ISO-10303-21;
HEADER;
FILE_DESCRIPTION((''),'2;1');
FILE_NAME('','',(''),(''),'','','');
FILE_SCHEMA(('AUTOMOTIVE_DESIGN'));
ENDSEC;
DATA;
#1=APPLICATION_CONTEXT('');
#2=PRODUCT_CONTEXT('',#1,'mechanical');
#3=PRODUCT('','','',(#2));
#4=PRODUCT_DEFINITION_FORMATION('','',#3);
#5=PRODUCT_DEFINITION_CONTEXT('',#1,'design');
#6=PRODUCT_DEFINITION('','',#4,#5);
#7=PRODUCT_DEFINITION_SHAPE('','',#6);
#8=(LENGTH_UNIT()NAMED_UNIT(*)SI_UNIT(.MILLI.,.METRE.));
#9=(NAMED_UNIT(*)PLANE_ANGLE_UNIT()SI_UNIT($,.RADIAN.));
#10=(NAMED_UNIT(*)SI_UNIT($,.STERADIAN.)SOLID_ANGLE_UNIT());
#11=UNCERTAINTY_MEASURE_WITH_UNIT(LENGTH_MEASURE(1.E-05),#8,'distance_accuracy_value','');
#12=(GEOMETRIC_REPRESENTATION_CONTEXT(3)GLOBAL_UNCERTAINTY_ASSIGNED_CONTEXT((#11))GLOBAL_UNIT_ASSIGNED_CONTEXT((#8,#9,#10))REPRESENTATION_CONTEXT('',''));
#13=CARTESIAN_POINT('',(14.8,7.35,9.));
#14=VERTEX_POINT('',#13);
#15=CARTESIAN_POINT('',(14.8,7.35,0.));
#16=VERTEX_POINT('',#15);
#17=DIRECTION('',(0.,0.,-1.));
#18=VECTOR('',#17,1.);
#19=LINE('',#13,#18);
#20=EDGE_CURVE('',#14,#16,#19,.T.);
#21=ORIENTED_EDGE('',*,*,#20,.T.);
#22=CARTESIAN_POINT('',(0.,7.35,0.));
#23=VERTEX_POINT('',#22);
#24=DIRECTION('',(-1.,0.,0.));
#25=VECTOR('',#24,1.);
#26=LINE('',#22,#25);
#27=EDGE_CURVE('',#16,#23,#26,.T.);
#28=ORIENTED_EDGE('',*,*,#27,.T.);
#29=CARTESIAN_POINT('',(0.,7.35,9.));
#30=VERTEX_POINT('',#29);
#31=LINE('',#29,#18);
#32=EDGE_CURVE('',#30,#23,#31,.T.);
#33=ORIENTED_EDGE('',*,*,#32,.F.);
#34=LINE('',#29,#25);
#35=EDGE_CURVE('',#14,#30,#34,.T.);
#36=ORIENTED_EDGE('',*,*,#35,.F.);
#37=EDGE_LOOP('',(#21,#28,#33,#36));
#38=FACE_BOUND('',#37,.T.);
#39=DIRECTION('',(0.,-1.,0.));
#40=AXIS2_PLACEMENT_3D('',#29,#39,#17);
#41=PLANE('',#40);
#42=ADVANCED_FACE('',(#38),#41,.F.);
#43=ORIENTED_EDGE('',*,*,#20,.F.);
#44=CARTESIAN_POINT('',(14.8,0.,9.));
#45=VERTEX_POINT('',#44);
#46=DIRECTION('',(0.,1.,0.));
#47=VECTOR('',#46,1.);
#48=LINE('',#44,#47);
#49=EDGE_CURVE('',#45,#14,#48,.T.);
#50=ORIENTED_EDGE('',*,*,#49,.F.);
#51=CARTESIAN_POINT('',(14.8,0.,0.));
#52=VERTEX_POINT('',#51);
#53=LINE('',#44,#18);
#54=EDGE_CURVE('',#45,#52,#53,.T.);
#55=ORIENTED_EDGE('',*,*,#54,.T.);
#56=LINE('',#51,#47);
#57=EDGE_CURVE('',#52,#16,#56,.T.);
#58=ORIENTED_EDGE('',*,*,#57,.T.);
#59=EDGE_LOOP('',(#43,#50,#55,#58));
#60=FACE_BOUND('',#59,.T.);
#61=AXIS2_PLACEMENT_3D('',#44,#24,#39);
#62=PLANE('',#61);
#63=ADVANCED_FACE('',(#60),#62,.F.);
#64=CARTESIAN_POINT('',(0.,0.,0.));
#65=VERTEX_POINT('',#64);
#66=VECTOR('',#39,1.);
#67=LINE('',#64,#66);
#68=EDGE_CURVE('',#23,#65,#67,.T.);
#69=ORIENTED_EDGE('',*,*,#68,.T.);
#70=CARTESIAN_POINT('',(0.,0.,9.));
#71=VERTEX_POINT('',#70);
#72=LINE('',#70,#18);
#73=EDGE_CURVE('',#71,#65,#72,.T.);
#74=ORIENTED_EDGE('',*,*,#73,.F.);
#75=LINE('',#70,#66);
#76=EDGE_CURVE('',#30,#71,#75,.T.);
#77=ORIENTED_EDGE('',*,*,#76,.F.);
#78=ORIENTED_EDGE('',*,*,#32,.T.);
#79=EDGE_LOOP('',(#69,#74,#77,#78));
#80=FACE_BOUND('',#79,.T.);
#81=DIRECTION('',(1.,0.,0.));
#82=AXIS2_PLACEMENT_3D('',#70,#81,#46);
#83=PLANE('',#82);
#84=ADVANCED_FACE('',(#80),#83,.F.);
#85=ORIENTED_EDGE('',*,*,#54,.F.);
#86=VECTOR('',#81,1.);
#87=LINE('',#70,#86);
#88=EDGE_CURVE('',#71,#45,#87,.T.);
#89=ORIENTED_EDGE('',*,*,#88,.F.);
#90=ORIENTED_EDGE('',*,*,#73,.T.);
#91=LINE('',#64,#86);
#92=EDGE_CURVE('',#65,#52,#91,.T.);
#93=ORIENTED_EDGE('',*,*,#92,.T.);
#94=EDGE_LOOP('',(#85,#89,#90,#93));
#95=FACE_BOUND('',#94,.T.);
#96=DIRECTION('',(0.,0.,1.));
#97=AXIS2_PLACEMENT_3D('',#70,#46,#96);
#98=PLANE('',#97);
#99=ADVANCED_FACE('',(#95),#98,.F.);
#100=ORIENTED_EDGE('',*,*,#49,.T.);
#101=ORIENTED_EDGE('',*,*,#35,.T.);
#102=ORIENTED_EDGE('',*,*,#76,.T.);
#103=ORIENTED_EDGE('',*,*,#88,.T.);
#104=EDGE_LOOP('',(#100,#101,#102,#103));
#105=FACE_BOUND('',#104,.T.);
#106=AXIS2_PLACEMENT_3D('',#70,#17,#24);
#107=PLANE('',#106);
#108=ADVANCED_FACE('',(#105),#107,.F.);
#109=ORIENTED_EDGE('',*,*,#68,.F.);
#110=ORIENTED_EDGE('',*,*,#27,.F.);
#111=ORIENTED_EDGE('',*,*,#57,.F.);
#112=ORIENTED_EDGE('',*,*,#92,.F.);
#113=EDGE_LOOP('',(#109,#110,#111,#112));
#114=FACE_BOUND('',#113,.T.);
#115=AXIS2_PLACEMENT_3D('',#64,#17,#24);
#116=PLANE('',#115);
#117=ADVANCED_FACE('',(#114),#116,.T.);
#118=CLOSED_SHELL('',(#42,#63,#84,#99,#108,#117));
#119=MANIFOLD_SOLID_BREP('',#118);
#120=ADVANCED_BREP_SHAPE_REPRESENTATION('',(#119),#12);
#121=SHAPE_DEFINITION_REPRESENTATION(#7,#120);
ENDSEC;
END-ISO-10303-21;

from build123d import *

# Parameters (mm, degrees)
SKETCH1_W  = 14.8
SKETCH1_H  = 7.35
MAIN_DEPTH = 9


with BuildPart() as part:
    # Sketch1 → Main (new body)
    with BuildSketch(Plane.XY):
        with Locations((7.4, 3.675)):
            Rectangle(SKETCH1_W, SKETCH1_H)
    extrude(amount=MAIN_DEPTH)


solid = part.part
